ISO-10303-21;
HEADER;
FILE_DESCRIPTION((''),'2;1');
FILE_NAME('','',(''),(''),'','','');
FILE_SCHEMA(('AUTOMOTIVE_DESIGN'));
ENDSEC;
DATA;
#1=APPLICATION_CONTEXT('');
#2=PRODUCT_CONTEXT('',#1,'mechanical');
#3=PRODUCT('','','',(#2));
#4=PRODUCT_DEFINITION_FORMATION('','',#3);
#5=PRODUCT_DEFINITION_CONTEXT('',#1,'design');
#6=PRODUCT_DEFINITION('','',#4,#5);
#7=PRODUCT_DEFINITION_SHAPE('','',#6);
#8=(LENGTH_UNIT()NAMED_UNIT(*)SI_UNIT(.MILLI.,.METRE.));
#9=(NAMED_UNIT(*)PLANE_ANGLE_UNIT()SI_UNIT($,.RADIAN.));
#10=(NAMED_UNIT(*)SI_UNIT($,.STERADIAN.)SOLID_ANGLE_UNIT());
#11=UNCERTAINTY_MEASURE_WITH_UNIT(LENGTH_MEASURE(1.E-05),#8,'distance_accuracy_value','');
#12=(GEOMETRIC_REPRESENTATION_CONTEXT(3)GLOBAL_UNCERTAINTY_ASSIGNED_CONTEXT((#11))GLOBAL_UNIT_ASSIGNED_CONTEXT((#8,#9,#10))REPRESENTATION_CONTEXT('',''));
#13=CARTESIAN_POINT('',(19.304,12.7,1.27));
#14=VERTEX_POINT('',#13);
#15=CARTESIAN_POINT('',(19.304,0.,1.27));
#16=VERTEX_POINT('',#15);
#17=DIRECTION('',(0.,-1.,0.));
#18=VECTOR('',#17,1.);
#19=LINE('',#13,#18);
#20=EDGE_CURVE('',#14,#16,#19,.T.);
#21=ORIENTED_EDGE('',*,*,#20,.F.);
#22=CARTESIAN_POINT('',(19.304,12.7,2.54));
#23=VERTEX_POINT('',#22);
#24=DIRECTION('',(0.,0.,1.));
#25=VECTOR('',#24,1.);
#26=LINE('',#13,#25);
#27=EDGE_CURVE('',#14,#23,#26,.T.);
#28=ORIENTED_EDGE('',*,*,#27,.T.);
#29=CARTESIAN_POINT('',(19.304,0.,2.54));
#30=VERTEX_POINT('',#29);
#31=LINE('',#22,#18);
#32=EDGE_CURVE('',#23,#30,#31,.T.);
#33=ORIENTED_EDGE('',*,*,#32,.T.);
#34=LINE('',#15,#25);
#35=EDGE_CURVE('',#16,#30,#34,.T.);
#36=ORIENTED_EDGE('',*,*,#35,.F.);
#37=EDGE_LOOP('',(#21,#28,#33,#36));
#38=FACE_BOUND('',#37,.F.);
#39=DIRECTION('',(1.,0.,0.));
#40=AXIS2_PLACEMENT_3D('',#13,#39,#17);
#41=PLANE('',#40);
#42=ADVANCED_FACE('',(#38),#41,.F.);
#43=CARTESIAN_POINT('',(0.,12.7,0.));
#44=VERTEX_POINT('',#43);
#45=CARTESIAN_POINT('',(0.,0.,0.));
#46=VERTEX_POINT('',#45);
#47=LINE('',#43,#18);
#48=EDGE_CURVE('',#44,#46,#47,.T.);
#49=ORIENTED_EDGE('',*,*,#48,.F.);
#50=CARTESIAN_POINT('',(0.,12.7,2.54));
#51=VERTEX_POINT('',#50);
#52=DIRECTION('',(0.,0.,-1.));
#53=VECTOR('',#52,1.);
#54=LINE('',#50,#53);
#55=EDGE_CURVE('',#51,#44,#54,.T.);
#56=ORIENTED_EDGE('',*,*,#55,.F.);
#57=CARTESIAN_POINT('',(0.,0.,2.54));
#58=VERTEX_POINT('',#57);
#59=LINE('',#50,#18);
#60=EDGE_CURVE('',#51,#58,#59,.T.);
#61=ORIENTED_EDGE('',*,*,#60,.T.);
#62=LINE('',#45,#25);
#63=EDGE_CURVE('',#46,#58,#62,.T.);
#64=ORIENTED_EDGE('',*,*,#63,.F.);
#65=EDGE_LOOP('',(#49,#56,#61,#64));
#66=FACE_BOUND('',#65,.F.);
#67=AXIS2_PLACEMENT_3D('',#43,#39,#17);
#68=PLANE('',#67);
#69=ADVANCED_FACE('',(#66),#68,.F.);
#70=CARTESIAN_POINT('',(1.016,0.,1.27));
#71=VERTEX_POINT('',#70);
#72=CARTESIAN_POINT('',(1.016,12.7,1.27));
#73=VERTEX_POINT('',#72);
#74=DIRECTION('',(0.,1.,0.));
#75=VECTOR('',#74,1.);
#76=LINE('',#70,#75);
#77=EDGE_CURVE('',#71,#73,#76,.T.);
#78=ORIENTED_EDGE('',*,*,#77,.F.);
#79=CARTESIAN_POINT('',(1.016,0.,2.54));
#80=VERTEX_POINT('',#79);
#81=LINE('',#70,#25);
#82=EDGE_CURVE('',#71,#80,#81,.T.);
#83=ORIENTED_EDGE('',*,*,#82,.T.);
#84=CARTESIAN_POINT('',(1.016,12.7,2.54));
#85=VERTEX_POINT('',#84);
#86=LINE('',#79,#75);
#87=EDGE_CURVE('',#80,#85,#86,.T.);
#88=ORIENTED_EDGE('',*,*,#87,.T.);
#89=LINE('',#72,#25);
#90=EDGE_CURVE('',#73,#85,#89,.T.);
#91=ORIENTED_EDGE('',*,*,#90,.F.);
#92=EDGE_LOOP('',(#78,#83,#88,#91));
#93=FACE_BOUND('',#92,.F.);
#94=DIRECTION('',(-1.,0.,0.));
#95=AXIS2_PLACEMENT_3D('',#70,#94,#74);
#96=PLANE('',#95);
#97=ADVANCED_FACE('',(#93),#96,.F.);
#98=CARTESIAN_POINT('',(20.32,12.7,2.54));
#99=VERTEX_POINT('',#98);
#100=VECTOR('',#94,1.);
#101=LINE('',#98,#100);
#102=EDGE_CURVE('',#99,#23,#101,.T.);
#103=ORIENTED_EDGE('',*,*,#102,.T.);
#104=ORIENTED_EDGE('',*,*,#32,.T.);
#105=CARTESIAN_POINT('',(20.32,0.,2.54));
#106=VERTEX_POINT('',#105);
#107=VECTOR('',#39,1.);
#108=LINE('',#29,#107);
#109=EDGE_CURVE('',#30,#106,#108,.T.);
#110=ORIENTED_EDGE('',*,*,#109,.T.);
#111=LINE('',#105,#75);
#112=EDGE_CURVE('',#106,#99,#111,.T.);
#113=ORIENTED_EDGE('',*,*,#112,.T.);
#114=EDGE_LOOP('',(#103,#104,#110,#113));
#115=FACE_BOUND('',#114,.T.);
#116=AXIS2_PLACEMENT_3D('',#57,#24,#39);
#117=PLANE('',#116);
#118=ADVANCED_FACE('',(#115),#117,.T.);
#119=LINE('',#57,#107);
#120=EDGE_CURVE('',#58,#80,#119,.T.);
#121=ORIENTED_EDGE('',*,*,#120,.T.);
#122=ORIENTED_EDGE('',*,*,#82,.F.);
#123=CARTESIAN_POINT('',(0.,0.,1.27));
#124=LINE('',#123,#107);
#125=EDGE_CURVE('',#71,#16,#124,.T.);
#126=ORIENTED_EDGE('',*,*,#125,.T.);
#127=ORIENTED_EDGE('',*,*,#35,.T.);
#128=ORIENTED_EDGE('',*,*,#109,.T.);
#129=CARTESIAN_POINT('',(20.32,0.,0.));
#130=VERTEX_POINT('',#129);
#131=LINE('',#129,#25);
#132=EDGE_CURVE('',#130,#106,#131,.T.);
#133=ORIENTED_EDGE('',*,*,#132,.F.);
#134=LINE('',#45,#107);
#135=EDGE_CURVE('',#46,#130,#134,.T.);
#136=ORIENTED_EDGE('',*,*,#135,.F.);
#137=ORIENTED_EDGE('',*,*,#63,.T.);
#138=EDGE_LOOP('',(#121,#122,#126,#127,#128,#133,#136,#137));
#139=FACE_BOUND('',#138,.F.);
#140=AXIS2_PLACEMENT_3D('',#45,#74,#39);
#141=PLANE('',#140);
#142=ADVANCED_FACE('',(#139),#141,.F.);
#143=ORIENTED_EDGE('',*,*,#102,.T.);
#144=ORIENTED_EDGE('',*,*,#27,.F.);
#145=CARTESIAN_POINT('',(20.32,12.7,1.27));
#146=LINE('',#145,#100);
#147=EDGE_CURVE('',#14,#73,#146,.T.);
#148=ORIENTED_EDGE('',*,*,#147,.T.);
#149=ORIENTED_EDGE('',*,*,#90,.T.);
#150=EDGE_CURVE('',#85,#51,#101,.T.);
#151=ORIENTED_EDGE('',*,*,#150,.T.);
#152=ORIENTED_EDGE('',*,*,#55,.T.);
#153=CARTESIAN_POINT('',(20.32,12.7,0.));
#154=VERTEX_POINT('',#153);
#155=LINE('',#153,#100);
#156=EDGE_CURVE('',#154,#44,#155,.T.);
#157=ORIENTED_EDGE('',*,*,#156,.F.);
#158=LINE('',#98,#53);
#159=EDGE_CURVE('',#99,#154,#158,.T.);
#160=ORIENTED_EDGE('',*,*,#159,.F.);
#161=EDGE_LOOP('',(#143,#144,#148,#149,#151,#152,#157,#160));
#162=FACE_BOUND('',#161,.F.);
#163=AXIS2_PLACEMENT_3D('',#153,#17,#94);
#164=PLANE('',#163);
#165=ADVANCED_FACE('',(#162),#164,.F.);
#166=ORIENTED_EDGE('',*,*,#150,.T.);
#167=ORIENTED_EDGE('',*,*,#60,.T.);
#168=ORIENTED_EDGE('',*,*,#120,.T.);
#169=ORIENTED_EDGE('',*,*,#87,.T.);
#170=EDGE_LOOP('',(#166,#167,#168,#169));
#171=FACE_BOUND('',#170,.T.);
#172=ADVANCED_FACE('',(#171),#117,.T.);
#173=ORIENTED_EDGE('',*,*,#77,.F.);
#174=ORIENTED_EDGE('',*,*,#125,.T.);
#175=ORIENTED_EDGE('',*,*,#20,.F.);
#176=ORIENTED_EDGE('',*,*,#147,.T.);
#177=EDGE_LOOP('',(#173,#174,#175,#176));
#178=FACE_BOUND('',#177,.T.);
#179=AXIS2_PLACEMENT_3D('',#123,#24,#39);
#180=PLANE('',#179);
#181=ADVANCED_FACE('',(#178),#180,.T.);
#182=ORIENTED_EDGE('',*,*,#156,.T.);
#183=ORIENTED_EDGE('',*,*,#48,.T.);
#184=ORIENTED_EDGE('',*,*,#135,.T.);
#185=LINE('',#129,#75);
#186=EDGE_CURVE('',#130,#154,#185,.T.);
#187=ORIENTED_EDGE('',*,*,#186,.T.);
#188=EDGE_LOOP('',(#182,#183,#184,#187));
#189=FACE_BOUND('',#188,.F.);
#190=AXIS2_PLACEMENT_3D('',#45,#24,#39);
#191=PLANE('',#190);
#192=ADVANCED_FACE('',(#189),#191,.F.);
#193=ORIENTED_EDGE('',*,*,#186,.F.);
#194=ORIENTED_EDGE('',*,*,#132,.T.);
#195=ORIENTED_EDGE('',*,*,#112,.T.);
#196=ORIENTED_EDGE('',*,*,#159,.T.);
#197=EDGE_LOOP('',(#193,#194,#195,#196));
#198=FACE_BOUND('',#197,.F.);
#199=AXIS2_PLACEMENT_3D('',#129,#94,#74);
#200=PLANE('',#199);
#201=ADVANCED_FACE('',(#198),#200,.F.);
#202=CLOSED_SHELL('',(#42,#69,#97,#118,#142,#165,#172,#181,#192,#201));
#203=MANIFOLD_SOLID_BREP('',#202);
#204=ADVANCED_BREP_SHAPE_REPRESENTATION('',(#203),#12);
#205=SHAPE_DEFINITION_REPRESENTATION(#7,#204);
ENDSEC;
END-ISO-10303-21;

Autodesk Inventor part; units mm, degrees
ref_plane "YZ Plane" through (0, 0, 0) normal (1, 0, 0) x (0, 1, 0)
ref_plane "XZ Plane" through (0, 0, 0) normal (0, 1, 0) x (-1, 0, 0)
ref_plane "XY Plane" through (0, 0, 0) normal (0, 0, 1) x (1, 0, 0)
sketch "Sketch1" plane through (0, 0, 0) normal (0, 0, 1) x (1, 0, 0)
  line L0 (0, 0) -> (20.32, 0)
  line L1 (20.32, 0) -> (20.32, 12.7)
  line L2 (20.32, 12.7) -> (0, 12.7)
  line L3 (0, 12.7) -> (0, 0)
  dimension "d0" = 20.32
  dimension "d1" = 12.7
extrude "Extrusion1" add sketch "Sketch1" along normal blind 1.27
sketch "Sketch2" plane through (0, 0, 1.27) normal (0, 0, 1) x (1, 0, 0)
  line L0 (20.32, 12.7) -> (0, 12.7) projected
  line L1 (0, 0) -> (1.016, 0)
  line L2 (1.016, 0) -> (1.016, 12.7)
  line L3 (1.016, 12.7) -> (0, 12.7)
  line L4 (0, 12.7) -> (0, 0)
  line L5 (20.32, 12.7) -> (19.304, 12.7)
  line L6 (19.304, 12.7) -> (19.304, 0)
  line L7 (19.304, 0) -> (20.32, 0)
  line L8 (20.32, 0) -> (20.32, 12.7)
  dimension "d4" = 1.016
  dimension "d5" = 1.016
extrude "Extrusion2" add sketch "Sketch2" along normal blind 1.27
properties part number "USBBreakoutCover"
